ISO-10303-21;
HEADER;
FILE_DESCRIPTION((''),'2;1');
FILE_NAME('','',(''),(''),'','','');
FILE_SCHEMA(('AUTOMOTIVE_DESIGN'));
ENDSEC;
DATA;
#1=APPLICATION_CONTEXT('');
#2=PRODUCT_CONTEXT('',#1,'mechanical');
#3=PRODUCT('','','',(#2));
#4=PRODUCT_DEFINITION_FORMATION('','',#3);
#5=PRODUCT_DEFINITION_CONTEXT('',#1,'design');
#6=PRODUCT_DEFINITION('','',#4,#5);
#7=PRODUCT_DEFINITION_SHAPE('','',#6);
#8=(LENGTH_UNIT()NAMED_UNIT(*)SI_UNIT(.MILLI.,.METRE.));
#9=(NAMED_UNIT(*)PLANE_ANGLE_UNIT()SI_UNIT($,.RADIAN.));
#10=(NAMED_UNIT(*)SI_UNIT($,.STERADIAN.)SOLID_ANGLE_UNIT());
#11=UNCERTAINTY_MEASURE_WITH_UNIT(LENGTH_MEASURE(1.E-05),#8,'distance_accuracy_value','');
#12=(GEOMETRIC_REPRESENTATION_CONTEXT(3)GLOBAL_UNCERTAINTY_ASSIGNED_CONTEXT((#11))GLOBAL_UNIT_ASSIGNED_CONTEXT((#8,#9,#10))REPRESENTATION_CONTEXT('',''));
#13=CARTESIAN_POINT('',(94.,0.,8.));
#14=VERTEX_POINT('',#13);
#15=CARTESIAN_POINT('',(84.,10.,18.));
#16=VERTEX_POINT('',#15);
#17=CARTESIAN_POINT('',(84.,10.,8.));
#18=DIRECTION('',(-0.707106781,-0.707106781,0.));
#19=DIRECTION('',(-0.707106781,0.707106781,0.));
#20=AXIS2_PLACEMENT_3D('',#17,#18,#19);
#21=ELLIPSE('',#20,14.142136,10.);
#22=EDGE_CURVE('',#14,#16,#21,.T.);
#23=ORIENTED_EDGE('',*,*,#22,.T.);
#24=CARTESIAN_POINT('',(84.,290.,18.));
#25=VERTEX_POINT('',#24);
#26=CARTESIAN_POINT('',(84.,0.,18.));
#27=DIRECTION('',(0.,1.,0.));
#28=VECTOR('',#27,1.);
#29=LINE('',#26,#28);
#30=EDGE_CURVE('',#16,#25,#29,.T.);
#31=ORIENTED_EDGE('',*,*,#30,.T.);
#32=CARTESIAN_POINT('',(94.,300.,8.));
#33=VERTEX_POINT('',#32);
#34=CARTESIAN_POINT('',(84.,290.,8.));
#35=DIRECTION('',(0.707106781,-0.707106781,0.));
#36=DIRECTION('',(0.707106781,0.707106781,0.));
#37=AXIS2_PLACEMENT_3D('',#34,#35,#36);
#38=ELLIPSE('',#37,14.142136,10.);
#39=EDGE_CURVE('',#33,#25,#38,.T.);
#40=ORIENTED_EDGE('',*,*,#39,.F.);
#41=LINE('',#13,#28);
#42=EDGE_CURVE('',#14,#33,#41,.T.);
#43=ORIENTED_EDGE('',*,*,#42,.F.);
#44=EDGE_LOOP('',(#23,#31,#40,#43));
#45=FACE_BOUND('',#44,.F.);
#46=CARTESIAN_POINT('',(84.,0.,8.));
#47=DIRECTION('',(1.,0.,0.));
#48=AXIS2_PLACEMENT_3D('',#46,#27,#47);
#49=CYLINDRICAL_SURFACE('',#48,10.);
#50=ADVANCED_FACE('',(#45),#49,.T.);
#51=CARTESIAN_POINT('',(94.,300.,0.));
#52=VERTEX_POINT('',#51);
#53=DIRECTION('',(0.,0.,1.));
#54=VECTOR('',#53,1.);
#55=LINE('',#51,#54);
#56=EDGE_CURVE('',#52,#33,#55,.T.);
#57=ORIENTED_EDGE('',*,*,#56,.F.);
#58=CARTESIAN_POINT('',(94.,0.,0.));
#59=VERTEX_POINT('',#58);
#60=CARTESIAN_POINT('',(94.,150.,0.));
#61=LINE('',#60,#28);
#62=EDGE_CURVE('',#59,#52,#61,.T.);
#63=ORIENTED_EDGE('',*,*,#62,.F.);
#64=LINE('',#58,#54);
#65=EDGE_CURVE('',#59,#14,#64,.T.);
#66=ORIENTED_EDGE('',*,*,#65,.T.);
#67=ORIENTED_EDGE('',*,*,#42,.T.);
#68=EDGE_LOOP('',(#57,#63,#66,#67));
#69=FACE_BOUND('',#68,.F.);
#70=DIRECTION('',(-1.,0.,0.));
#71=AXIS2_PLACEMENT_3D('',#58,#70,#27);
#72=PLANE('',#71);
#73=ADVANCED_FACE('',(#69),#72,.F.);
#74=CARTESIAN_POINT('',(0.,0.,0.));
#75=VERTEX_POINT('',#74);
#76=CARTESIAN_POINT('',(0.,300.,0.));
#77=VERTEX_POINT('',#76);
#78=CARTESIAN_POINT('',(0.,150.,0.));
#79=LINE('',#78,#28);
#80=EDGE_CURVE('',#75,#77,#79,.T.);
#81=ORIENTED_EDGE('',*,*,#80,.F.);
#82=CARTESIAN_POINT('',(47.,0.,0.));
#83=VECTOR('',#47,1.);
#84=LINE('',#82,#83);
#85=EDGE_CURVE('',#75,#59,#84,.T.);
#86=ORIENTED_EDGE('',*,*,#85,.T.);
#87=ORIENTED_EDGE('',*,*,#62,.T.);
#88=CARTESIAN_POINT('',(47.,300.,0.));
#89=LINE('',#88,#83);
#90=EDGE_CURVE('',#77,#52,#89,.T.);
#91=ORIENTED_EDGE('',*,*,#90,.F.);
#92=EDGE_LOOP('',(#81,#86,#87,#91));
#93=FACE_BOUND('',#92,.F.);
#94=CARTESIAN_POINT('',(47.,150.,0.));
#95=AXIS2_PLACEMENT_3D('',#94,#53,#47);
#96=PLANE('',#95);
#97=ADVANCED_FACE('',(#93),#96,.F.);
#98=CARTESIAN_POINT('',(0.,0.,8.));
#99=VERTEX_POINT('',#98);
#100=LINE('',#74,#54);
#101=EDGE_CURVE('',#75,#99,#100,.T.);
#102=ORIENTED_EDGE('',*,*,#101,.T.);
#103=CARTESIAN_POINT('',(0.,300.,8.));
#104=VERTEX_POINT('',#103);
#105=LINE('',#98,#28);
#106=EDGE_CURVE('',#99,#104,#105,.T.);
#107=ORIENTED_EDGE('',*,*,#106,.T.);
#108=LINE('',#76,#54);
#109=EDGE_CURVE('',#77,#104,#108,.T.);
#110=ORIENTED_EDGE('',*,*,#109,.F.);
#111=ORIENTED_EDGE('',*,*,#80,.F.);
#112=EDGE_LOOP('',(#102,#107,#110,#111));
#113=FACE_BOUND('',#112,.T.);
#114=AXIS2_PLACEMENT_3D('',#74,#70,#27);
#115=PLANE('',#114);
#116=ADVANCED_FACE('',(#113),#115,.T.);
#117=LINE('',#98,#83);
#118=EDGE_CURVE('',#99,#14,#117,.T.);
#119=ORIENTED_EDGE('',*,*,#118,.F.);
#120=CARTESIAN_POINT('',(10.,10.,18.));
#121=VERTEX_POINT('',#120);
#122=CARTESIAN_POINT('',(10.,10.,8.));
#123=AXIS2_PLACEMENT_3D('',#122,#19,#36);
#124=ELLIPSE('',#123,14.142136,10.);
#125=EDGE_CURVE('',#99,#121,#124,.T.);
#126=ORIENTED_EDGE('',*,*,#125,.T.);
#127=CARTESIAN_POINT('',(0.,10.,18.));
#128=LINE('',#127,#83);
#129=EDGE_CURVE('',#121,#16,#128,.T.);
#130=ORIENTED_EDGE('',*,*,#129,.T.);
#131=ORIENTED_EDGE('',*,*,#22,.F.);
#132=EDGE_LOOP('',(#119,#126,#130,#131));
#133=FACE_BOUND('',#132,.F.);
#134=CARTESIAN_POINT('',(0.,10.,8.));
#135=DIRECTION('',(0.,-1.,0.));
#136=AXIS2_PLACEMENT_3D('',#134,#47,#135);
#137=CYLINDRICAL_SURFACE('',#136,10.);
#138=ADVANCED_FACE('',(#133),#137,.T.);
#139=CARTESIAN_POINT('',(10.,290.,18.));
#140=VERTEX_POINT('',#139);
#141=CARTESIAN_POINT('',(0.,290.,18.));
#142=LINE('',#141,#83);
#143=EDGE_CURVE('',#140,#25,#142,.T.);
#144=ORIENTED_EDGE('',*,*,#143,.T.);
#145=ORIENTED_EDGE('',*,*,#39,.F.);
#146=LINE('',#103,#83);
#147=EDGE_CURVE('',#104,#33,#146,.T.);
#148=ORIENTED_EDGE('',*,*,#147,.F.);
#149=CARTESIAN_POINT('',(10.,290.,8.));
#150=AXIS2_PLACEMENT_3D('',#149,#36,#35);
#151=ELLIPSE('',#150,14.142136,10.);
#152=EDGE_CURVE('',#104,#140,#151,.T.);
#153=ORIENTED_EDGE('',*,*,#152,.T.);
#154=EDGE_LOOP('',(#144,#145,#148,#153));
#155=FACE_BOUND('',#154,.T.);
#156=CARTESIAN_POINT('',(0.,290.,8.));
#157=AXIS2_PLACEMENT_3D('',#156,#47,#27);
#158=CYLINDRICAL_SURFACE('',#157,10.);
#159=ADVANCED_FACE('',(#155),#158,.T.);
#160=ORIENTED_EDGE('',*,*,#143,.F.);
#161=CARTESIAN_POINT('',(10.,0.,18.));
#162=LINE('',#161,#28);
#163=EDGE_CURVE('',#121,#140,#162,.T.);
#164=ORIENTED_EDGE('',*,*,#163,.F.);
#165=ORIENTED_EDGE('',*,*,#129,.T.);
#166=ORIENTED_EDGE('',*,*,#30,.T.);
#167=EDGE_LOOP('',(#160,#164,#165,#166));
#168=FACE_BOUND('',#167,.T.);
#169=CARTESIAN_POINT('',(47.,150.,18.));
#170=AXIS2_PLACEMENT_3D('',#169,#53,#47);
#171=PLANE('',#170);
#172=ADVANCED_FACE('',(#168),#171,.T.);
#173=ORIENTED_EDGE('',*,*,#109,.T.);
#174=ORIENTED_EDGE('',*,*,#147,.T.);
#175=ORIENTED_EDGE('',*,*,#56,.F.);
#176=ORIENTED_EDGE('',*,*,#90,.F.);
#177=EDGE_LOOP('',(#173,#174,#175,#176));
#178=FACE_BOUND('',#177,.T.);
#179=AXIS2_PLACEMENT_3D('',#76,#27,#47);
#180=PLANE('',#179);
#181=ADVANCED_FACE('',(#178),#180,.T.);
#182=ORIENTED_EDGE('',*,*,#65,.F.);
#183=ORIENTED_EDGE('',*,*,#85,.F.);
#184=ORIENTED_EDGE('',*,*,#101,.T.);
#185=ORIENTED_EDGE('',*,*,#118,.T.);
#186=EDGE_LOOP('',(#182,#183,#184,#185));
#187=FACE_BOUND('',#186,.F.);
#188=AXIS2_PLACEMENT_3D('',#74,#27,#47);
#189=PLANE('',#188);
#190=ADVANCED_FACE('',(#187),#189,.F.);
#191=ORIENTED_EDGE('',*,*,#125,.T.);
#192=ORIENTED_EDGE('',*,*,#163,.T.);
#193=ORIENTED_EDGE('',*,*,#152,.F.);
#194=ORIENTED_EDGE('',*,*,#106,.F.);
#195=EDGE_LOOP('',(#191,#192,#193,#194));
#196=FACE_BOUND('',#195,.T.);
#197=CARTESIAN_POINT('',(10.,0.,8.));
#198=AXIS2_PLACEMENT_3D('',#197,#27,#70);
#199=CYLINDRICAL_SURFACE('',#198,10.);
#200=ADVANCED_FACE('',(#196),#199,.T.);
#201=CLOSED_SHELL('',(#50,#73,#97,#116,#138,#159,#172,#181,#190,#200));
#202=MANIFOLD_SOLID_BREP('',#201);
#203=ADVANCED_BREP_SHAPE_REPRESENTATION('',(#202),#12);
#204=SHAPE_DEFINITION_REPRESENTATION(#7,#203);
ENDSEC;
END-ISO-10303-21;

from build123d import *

# Parameters (mm, degrees)
SKETCH_W  = 94
SKETCH_H  = 300
PAD_DEPTH = 18
FILLET_R  = 10


with BuildPart() as part:
    # Sketch → Pad (new body)
    with BuildSketch(Plane.XY):
        with Locations((47, 150)):
            Rectangle(SKETCH_W, SKETCH_H)
    extrude(amount=PAD_DEPTH)

    # Fillet
    fillet_edges = [part.edges().sort_by_distance(p)[0] for p in [
        (47, 300, 18),
        (94, 150, 18),
        (47, 0, 18),
        (0, 150, 18),
    ]]
    fillet(fillet_edges, radius=FILLET_R)


solid = part.part
